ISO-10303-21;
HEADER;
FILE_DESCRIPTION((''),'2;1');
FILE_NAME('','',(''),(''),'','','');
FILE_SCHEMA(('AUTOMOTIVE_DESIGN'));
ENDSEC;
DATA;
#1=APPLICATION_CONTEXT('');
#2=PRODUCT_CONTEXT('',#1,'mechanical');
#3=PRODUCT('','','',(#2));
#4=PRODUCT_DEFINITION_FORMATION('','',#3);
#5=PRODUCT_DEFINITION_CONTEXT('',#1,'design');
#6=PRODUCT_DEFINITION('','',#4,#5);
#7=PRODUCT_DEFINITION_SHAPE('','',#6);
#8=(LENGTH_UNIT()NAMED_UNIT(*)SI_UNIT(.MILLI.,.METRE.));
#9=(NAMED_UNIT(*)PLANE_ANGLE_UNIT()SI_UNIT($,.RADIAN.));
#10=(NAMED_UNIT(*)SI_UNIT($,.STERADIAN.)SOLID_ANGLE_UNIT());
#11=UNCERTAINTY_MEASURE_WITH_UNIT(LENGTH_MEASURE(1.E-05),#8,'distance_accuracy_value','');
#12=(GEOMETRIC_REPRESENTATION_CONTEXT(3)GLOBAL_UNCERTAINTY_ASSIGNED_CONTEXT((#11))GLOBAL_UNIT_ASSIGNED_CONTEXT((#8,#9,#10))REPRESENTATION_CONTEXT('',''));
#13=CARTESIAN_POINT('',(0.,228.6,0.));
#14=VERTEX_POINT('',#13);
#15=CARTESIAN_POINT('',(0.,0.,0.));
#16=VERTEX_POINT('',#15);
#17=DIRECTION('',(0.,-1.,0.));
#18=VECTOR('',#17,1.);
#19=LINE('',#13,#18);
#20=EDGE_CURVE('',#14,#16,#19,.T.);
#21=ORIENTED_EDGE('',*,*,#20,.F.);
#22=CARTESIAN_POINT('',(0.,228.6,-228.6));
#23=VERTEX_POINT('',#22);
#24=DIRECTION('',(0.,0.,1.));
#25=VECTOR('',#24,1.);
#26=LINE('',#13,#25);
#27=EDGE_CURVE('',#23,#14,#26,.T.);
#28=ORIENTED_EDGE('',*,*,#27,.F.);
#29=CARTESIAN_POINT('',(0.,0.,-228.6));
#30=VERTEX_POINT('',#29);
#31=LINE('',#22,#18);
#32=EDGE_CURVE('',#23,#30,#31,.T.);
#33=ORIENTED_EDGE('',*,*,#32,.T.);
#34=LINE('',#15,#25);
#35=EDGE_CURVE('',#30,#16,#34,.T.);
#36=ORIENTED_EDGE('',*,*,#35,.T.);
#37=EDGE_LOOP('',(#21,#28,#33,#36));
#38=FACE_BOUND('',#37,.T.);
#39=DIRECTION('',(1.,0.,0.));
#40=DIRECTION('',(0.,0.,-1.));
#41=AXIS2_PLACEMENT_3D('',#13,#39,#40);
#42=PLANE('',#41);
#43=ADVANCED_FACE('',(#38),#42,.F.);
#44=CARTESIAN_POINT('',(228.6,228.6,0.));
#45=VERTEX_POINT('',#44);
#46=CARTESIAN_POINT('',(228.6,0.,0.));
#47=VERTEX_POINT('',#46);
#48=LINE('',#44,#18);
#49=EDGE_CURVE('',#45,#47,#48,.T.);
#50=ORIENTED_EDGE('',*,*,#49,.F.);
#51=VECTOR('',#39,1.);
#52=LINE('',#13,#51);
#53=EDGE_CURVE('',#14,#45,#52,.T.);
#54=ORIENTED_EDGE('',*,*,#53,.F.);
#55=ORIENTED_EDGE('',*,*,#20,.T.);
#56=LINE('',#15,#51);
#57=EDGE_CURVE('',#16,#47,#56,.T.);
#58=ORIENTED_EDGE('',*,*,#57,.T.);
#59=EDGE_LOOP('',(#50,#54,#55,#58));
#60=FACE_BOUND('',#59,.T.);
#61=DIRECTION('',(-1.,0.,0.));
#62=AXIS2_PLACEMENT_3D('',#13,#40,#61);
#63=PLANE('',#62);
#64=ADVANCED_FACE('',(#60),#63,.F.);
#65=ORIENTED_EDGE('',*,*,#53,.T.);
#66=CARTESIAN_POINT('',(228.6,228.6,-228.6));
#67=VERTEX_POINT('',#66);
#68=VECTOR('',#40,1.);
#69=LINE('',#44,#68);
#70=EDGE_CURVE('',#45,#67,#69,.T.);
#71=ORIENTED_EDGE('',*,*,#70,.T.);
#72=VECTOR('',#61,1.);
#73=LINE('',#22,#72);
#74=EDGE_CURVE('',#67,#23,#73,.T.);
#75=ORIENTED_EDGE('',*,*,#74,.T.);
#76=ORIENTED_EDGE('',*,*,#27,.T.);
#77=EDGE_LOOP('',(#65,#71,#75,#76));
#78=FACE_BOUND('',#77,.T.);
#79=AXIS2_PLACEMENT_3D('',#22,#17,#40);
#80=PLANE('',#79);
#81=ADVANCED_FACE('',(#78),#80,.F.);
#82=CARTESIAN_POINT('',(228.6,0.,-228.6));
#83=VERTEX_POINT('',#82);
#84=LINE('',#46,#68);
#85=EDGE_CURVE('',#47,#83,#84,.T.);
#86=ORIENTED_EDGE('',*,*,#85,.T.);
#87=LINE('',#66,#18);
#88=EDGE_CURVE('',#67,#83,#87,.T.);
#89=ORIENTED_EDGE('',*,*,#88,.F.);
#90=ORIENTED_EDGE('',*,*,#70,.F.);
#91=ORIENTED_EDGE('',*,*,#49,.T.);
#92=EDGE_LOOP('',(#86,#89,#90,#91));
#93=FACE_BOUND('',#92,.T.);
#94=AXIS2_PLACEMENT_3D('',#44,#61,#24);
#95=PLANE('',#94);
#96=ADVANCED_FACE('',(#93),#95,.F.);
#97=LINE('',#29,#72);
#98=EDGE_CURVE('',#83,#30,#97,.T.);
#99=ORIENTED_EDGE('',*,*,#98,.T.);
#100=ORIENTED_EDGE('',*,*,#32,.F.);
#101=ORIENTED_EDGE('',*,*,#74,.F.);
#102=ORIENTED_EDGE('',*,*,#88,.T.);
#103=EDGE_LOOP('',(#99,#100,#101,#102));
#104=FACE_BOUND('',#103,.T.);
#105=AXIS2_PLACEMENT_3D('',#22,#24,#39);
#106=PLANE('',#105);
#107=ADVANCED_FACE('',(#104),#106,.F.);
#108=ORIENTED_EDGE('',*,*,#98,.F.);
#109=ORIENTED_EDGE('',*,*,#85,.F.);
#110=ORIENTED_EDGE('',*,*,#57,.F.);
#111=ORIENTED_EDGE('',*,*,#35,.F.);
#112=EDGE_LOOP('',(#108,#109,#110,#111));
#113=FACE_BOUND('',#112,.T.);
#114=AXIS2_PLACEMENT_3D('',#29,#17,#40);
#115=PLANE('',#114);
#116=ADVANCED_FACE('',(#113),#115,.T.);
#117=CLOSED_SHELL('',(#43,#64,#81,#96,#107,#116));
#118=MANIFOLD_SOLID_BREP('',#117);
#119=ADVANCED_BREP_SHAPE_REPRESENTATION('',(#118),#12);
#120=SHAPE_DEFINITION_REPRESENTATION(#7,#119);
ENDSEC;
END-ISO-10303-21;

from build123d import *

# Parameters (mm, degrees)
SKETCH1_W      = 228.6
SKETCH1_H      = 228.6
EXTRUDE1_DEPTH = 228.6


with BuildPart() as part:
    # Sketch1 → Extrude1 (new body)
    with BuildSketch(Plane(origin=(0, 0, 0), x_dir=(1, 0, 0), z_dir=(0, 1, 0))):
        with Locations((114.3, 114.3)):
            Rectangle(SKETCH1_W, SKETCH1_H)
    extrude(amount=EXTRUDE1_DEPTH)


solid = part.part
